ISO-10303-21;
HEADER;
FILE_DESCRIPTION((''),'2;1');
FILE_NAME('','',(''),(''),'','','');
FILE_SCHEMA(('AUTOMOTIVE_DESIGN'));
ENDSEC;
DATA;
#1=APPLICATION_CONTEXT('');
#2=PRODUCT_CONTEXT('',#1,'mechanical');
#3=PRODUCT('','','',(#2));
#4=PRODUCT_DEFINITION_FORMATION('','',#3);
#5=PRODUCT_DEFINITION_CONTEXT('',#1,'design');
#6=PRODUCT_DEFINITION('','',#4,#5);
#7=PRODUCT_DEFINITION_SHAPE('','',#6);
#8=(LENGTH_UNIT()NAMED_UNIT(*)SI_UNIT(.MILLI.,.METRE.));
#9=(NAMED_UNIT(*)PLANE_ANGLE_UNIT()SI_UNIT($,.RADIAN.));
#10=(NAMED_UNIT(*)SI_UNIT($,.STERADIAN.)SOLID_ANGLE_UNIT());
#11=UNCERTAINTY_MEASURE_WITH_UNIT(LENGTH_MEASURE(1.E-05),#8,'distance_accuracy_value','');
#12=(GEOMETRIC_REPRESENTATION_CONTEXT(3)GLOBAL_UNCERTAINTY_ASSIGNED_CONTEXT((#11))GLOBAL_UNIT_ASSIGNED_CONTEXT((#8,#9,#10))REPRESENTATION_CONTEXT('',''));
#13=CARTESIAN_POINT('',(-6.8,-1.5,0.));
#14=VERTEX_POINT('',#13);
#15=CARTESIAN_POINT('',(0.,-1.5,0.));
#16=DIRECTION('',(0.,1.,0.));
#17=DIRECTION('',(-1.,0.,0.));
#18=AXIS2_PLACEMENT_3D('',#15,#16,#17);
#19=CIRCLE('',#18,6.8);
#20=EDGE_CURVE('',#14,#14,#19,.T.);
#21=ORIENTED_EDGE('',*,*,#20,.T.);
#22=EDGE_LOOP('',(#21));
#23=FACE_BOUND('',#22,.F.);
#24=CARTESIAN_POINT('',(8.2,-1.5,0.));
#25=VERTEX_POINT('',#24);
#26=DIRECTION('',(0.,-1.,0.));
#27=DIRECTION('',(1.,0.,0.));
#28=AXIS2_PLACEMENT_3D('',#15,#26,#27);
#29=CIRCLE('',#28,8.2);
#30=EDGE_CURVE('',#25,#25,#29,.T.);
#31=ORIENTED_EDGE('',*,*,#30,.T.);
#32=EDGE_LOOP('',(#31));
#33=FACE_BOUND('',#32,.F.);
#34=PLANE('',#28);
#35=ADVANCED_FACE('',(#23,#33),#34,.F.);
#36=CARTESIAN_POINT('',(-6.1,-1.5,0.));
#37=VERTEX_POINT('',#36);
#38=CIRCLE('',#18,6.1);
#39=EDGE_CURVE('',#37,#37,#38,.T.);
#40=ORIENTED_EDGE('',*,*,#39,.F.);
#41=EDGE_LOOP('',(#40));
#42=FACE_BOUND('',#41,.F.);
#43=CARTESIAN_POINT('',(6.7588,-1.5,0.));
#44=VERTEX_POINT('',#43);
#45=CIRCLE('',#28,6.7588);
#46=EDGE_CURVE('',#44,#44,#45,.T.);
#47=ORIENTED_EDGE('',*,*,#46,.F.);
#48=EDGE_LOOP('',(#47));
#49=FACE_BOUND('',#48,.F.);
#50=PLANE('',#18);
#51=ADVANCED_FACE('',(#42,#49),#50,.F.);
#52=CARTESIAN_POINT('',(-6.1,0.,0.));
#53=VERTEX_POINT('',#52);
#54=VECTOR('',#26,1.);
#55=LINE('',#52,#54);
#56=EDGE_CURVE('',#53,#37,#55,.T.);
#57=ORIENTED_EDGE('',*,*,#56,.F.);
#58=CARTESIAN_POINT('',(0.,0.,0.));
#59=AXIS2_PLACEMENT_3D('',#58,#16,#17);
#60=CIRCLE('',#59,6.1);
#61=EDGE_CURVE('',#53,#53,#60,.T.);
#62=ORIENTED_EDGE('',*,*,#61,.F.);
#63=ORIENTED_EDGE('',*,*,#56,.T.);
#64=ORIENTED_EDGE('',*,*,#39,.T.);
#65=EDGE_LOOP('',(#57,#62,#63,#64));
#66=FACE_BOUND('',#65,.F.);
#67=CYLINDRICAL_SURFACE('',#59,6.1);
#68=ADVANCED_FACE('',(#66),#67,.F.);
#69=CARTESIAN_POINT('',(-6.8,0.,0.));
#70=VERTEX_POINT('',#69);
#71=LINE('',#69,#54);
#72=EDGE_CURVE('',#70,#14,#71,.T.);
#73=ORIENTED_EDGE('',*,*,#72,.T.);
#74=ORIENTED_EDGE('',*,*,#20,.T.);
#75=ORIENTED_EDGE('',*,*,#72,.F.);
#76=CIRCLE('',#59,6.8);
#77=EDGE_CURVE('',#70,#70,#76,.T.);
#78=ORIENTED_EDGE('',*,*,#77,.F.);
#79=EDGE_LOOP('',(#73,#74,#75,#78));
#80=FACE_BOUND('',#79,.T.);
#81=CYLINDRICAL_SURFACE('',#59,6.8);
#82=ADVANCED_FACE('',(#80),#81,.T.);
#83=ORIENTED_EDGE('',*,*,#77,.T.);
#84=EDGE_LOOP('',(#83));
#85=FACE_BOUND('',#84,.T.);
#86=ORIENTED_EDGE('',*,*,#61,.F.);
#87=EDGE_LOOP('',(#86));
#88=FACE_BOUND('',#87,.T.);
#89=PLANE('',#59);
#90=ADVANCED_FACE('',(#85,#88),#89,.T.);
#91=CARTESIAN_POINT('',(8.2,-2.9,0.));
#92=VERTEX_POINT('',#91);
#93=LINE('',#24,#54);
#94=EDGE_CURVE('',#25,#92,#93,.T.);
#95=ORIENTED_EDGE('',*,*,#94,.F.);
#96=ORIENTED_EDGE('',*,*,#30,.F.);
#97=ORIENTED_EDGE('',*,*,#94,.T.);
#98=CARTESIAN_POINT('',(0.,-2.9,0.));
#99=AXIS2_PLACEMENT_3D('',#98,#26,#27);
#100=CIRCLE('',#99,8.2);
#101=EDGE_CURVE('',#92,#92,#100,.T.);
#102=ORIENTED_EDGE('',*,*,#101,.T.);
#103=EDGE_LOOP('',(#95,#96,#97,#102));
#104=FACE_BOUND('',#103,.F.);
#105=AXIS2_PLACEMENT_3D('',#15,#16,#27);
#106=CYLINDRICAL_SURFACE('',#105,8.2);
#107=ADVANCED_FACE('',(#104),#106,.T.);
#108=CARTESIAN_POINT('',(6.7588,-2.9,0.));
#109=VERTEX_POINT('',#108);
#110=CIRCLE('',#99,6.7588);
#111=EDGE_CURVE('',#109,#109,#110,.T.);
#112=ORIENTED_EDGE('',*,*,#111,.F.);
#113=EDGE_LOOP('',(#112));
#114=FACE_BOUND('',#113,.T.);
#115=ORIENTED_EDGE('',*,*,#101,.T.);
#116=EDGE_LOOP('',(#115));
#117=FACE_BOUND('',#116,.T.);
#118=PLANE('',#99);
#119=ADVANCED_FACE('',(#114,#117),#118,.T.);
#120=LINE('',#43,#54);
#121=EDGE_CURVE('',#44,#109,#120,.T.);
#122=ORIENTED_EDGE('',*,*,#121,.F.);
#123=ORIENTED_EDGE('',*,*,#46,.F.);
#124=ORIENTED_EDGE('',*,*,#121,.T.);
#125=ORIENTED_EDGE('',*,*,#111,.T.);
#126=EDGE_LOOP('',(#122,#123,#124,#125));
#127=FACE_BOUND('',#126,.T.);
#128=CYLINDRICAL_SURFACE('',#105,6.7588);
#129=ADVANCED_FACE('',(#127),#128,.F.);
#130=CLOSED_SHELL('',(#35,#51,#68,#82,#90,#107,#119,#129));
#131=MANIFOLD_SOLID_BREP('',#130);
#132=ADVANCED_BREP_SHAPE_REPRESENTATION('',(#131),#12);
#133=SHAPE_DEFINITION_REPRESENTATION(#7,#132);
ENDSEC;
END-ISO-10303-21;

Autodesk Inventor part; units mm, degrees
ref_plane "YZ Plane" through (0, 0, 0) normal (1, 0, 0) x (0, 1, 0)
ref_plane "XZ Plane" through (0, 0, 0) normal (0, 1, 0) x (-1, 0, 0)
ref_plane "XY Plane" through (0, 0, 0) normal (0, 0, 1) x (1, 0, 0)
sketch "Boceto1" plane through (0, 0, 0) normal (0, 1, 0) x (-1, 0, 0)
  circle A0 centre (0, 0) radius 6.8
  circle A1 centre (0, 0) radius 6.1
  dimension "d0" = 13.6
  dimension "d1" = 12.2
extrude "Extrusión1" add sketch "Boceto1" against normal blind 1.5
sketch "Boceto2" plane through (0, -1.5, 0) normal (0, -1, 0) x (1, 0, 0)
  circle A0 centre (0, 0) radius 6.7588
  circle A1 centre (0, 0) radius 8.2
  dimension "d4" = 16.4
extrude "Extrusión2" add sketch "Boceto2" along normal blind 1.4
properties part number "Elemento_externo" material "Plástico ABS"
